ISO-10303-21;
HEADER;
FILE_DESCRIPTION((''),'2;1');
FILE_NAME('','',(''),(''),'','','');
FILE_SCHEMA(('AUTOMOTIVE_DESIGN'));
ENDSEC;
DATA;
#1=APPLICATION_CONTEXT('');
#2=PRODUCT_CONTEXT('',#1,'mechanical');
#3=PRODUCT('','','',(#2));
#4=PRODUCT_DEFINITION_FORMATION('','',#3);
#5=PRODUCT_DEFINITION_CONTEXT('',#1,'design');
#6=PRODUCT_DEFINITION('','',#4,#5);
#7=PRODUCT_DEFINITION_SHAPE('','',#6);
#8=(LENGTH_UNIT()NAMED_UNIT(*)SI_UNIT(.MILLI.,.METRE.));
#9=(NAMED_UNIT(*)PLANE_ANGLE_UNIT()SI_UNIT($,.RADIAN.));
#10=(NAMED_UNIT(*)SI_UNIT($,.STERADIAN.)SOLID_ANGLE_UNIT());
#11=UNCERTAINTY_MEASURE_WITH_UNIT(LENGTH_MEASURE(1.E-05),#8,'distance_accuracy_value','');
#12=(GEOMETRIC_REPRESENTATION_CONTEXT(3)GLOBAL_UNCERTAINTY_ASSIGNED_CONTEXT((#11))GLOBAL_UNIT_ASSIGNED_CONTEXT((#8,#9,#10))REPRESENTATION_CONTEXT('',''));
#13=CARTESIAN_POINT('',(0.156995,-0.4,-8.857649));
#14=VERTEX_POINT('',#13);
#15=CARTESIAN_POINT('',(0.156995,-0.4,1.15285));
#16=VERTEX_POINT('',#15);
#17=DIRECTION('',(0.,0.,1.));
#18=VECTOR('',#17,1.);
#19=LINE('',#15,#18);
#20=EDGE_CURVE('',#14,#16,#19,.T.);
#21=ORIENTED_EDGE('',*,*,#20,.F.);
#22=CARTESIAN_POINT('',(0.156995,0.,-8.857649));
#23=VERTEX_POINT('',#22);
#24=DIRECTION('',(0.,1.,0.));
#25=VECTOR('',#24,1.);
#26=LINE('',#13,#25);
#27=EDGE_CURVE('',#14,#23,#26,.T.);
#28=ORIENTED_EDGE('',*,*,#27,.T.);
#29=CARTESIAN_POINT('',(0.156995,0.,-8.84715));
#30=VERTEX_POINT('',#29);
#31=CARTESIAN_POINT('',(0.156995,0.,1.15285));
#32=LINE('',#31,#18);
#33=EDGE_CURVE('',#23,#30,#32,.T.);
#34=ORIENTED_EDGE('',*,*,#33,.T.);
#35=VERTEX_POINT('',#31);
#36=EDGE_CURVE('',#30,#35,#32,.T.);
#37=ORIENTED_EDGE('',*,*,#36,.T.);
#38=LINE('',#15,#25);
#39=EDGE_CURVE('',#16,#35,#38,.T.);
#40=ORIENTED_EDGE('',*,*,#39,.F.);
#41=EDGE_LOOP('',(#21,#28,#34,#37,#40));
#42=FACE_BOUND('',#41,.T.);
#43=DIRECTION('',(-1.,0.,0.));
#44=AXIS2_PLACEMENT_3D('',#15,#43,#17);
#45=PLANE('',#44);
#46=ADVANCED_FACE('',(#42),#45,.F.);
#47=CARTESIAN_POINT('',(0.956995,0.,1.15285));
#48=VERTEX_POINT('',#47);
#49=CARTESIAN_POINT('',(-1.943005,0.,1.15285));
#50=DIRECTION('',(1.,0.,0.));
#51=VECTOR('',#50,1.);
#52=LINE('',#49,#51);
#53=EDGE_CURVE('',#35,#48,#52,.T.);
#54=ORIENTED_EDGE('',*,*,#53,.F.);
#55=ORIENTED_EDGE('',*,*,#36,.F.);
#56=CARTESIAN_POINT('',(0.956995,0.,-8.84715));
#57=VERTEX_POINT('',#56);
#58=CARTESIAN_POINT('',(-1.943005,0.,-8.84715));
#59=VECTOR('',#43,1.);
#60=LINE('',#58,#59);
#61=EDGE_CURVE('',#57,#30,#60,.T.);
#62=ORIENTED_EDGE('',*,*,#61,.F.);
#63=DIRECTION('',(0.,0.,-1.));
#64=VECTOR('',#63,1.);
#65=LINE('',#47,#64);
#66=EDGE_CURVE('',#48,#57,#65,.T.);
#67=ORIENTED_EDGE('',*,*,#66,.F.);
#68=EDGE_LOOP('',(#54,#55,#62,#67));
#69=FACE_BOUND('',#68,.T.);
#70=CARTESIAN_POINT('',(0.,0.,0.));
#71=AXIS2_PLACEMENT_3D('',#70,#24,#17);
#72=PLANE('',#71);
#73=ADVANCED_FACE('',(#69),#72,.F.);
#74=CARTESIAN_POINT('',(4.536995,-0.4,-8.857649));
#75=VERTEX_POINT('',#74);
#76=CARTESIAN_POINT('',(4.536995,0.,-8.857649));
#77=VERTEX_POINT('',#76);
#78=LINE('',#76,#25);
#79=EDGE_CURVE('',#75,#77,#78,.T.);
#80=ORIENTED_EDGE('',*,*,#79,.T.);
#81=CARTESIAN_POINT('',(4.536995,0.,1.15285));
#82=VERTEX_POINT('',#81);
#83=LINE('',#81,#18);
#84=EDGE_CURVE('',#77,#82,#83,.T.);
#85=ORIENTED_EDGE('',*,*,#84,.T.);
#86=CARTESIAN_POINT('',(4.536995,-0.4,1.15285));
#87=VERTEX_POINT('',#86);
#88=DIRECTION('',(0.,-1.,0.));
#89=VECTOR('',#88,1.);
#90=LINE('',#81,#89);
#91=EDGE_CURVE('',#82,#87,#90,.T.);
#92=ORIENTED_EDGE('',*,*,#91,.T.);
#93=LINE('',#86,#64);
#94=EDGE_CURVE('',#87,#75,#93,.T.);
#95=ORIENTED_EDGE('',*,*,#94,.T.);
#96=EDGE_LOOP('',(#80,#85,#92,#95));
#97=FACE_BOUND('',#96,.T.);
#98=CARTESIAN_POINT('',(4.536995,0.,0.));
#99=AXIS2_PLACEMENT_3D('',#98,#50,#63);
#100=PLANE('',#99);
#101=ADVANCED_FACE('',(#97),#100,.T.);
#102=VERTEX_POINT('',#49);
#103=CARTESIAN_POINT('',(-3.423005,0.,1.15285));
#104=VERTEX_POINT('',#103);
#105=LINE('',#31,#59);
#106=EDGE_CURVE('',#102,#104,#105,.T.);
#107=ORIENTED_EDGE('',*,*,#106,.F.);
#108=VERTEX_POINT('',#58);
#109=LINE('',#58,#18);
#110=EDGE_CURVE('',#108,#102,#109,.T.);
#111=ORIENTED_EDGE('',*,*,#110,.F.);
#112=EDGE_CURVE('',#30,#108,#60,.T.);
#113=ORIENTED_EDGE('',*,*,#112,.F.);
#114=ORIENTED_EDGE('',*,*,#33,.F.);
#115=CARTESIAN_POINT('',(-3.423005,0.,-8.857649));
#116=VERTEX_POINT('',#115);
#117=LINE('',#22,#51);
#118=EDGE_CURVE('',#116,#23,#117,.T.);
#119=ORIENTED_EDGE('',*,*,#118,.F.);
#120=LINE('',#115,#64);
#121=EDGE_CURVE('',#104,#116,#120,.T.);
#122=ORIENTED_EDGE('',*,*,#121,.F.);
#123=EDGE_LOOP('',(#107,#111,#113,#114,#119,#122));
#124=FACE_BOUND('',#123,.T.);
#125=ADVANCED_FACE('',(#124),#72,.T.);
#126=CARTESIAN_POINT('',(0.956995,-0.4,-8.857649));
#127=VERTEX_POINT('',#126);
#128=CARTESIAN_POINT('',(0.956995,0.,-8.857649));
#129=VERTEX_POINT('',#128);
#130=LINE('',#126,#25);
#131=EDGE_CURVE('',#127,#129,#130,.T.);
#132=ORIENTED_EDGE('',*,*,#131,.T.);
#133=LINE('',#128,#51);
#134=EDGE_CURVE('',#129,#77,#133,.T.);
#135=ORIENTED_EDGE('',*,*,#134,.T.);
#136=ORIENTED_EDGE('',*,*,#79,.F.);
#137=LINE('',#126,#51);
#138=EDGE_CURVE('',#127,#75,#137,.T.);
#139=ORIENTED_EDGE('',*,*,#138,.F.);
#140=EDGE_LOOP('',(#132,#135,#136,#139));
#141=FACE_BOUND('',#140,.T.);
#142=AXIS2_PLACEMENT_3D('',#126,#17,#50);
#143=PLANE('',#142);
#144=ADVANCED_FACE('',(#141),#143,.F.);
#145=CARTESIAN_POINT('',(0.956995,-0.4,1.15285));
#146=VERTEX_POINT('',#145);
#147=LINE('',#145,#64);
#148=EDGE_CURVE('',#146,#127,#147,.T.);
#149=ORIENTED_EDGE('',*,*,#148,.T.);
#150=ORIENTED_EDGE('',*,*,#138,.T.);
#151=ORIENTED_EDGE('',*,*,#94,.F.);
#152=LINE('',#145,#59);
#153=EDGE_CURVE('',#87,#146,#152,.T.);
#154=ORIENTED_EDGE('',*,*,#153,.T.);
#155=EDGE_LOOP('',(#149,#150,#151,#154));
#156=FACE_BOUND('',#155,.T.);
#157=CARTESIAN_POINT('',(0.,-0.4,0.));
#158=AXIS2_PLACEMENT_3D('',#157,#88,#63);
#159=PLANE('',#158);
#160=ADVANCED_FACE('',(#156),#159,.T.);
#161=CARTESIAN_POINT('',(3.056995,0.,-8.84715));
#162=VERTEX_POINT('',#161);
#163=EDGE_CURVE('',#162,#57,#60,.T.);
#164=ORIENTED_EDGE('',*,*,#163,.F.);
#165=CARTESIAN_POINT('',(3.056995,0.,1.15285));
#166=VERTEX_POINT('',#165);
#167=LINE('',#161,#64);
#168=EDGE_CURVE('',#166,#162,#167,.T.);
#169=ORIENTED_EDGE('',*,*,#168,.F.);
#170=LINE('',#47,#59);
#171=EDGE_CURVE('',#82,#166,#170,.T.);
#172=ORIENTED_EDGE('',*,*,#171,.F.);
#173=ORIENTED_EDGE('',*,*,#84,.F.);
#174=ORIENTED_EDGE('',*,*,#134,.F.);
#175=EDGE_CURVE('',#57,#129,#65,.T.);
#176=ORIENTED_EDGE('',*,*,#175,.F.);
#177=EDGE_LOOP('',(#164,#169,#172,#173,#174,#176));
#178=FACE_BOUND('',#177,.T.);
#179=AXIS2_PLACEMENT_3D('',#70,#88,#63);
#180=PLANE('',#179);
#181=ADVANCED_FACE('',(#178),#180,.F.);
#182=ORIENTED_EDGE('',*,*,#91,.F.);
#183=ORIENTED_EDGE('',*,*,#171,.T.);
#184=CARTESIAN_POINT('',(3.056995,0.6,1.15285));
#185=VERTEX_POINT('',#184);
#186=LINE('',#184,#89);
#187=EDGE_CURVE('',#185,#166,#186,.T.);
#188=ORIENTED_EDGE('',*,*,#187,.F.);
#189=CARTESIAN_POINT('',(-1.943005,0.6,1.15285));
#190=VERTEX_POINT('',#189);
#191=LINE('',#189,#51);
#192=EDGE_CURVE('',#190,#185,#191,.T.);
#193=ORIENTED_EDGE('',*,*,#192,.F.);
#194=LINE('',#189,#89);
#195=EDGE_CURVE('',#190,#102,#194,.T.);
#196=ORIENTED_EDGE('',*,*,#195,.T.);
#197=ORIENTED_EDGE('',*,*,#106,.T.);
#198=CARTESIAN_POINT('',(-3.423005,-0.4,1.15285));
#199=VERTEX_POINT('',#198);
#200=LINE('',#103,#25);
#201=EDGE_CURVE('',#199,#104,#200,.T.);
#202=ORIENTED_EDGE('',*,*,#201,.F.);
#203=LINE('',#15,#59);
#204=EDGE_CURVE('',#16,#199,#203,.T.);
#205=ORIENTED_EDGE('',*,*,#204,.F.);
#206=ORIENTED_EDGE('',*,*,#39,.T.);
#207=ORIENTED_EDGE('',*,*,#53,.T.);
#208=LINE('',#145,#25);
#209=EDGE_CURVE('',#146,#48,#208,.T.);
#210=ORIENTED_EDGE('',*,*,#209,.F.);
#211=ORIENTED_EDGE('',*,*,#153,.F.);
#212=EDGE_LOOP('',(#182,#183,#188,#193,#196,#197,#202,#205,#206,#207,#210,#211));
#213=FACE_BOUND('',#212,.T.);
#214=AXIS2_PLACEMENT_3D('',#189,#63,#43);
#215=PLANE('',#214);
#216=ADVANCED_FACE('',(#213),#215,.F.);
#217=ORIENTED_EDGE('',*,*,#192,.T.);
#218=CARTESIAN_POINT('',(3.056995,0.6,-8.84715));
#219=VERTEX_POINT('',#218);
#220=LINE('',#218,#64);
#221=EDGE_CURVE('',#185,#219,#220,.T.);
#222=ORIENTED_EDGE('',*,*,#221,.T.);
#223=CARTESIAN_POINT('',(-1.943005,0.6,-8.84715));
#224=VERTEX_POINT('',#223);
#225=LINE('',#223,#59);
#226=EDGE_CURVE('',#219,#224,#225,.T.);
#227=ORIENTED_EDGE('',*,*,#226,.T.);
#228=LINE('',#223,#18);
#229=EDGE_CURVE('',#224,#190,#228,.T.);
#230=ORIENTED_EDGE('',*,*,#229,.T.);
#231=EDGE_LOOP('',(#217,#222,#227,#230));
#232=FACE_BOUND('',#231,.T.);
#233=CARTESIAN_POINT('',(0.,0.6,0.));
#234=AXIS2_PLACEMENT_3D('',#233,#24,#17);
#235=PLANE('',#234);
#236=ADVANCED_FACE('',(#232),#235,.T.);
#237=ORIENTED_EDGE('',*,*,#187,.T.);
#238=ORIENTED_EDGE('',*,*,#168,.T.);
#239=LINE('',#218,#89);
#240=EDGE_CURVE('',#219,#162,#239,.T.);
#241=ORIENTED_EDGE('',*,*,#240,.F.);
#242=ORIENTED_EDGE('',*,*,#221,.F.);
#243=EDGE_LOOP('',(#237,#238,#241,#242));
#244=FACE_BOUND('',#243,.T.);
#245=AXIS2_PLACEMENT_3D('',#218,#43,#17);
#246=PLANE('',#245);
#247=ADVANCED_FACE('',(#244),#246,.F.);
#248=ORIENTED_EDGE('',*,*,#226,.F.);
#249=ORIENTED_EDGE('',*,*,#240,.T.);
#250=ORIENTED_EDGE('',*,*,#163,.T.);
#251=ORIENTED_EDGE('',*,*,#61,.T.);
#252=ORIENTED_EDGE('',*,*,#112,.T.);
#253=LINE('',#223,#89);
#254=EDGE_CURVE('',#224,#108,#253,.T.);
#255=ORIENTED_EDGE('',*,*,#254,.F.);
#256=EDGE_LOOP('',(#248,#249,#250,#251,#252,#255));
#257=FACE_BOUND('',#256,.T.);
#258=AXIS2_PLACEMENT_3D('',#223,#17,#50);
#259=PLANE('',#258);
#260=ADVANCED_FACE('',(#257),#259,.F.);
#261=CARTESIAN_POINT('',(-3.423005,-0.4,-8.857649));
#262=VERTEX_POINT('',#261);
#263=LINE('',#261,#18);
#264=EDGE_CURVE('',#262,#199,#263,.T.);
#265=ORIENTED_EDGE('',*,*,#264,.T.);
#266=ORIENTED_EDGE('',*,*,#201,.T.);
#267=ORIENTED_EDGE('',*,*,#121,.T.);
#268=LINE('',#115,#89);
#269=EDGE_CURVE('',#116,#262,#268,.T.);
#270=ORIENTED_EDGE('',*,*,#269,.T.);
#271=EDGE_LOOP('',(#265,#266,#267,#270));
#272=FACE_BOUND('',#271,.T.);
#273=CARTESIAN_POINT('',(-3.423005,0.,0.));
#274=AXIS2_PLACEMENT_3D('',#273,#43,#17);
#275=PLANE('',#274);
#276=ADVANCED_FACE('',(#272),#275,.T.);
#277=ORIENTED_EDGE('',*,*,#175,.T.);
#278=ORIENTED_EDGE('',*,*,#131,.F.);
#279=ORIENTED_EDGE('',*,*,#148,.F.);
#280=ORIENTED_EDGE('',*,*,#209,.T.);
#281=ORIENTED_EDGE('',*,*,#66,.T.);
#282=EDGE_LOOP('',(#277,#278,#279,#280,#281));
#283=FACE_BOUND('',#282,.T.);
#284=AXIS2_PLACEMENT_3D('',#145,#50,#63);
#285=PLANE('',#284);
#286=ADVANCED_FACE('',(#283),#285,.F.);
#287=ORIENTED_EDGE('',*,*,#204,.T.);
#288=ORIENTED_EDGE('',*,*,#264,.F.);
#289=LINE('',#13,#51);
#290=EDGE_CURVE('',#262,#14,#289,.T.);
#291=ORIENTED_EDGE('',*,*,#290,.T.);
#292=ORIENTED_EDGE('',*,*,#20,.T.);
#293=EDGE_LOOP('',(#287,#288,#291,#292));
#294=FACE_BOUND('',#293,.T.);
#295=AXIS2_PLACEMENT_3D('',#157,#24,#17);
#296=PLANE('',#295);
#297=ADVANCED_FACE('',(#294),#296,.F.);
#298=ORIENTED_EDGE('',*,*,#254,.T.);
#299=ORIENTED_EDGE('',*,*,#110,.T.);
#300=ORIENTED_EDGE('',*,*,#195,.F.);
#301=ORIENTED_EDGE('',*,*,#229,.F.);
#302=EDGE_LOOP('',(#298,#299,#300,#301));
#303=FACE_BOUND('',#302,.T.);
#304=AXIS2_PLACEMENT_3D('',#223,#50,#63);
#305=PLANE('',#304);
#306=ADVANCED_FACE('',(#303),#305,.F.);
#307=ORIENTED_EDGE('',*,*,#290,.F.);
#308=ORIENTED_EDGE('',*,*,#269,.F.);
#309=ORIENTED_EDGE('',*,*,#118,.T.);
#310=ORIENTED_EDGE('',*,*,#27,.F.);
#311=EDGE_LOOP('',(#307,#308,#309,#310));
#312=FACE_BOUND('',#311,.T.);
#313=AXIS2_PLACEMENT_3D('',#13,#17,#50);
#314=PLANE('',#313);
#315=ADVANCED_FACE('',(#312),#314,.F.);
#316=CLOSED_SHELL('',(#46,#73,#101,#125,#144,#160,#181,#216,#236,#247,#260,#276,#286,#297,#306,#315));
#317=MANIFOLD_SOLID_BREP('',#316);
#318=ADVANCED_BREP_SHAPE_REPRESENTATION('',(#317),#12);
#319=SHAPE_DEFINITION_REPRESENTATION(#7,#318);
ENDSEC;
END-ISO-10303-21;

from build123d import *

# Parameters (mm, degrees)
SKETCH1_W           = 5
SKETCH1_H           = 10
BOSS_EXTRUDE1_DEPTH = 0.6
SKETCH2_W           = 3.6
SKETCH2_H           = 10.01049857
BOSS_EXTRUDE2_DEPTH = 0.4
SKETCH4_W           = 10.01049857
SKETCH4_H           = 0.4
CUT_EXTRUDE2_DEPTH  = 0.02
SKETCH5_W           = 10.01049857
SKETCH5_H           = 0.4
CUT_EXTRUDE3_DEPTH  = 0.02


with BuildPart() as part:
    # Sketch1 → Boss-Extrude1 (new body)
    with BuildSketch(Plane(origin=(0, 0, 0), x_dir=(1, 0, 0), z_dir=(0, 1, 0))):
        with Locations((0.556994819, 3.847150259)):
            Rectangle(SKETCH1_W, SKETCH1_H)
    extrude(amount=BOSS_EXTRUDE1_DEPTH)

    # Sketch2 → Boss-Extrude2 (add)
    with BuildSketch(Plane.XZ):
        with Locations((2.756994819, -3.852399544)):
            Rectangle(SKETCH2_W, SKETCH2_H)
        with Locations((-1.643005181, -3.852399544)):
            Rectangle(SKETCH2_W, SKETCH2_H)
    extrude(amount=BOSS_EXTRUDE2_DEPTH)

    # Sketch4 → Cut-Extrude2 (cut)
    with BuildSketch(Plane(origin=(4.556994819, 0, 0), x_dir=(0, 0, -1), z_dir=(1, 0, 0))):
        with Locations((3.852399544, -0.2)):
            Rectangle(SKETCH4_W, SKETCH4_H)
    extrude(amount=-CUT_EXTRUDE2_DEPTH, mode=Mode.SUBTRACT)

    # Sketch5 → Cut-Extrude3 (cut)
    with BuildSketch(Plane.ZY.offset(3.443005181)):
        with Locations((-3.852399544, -0.2)):
            Rectangle(SKETCH5_W, SKETCH5_H)
    extrude(amount=-CUT_EXTRUDE3_DEPTH, mode=Mode.SUBTRACT)


solid = part.part
